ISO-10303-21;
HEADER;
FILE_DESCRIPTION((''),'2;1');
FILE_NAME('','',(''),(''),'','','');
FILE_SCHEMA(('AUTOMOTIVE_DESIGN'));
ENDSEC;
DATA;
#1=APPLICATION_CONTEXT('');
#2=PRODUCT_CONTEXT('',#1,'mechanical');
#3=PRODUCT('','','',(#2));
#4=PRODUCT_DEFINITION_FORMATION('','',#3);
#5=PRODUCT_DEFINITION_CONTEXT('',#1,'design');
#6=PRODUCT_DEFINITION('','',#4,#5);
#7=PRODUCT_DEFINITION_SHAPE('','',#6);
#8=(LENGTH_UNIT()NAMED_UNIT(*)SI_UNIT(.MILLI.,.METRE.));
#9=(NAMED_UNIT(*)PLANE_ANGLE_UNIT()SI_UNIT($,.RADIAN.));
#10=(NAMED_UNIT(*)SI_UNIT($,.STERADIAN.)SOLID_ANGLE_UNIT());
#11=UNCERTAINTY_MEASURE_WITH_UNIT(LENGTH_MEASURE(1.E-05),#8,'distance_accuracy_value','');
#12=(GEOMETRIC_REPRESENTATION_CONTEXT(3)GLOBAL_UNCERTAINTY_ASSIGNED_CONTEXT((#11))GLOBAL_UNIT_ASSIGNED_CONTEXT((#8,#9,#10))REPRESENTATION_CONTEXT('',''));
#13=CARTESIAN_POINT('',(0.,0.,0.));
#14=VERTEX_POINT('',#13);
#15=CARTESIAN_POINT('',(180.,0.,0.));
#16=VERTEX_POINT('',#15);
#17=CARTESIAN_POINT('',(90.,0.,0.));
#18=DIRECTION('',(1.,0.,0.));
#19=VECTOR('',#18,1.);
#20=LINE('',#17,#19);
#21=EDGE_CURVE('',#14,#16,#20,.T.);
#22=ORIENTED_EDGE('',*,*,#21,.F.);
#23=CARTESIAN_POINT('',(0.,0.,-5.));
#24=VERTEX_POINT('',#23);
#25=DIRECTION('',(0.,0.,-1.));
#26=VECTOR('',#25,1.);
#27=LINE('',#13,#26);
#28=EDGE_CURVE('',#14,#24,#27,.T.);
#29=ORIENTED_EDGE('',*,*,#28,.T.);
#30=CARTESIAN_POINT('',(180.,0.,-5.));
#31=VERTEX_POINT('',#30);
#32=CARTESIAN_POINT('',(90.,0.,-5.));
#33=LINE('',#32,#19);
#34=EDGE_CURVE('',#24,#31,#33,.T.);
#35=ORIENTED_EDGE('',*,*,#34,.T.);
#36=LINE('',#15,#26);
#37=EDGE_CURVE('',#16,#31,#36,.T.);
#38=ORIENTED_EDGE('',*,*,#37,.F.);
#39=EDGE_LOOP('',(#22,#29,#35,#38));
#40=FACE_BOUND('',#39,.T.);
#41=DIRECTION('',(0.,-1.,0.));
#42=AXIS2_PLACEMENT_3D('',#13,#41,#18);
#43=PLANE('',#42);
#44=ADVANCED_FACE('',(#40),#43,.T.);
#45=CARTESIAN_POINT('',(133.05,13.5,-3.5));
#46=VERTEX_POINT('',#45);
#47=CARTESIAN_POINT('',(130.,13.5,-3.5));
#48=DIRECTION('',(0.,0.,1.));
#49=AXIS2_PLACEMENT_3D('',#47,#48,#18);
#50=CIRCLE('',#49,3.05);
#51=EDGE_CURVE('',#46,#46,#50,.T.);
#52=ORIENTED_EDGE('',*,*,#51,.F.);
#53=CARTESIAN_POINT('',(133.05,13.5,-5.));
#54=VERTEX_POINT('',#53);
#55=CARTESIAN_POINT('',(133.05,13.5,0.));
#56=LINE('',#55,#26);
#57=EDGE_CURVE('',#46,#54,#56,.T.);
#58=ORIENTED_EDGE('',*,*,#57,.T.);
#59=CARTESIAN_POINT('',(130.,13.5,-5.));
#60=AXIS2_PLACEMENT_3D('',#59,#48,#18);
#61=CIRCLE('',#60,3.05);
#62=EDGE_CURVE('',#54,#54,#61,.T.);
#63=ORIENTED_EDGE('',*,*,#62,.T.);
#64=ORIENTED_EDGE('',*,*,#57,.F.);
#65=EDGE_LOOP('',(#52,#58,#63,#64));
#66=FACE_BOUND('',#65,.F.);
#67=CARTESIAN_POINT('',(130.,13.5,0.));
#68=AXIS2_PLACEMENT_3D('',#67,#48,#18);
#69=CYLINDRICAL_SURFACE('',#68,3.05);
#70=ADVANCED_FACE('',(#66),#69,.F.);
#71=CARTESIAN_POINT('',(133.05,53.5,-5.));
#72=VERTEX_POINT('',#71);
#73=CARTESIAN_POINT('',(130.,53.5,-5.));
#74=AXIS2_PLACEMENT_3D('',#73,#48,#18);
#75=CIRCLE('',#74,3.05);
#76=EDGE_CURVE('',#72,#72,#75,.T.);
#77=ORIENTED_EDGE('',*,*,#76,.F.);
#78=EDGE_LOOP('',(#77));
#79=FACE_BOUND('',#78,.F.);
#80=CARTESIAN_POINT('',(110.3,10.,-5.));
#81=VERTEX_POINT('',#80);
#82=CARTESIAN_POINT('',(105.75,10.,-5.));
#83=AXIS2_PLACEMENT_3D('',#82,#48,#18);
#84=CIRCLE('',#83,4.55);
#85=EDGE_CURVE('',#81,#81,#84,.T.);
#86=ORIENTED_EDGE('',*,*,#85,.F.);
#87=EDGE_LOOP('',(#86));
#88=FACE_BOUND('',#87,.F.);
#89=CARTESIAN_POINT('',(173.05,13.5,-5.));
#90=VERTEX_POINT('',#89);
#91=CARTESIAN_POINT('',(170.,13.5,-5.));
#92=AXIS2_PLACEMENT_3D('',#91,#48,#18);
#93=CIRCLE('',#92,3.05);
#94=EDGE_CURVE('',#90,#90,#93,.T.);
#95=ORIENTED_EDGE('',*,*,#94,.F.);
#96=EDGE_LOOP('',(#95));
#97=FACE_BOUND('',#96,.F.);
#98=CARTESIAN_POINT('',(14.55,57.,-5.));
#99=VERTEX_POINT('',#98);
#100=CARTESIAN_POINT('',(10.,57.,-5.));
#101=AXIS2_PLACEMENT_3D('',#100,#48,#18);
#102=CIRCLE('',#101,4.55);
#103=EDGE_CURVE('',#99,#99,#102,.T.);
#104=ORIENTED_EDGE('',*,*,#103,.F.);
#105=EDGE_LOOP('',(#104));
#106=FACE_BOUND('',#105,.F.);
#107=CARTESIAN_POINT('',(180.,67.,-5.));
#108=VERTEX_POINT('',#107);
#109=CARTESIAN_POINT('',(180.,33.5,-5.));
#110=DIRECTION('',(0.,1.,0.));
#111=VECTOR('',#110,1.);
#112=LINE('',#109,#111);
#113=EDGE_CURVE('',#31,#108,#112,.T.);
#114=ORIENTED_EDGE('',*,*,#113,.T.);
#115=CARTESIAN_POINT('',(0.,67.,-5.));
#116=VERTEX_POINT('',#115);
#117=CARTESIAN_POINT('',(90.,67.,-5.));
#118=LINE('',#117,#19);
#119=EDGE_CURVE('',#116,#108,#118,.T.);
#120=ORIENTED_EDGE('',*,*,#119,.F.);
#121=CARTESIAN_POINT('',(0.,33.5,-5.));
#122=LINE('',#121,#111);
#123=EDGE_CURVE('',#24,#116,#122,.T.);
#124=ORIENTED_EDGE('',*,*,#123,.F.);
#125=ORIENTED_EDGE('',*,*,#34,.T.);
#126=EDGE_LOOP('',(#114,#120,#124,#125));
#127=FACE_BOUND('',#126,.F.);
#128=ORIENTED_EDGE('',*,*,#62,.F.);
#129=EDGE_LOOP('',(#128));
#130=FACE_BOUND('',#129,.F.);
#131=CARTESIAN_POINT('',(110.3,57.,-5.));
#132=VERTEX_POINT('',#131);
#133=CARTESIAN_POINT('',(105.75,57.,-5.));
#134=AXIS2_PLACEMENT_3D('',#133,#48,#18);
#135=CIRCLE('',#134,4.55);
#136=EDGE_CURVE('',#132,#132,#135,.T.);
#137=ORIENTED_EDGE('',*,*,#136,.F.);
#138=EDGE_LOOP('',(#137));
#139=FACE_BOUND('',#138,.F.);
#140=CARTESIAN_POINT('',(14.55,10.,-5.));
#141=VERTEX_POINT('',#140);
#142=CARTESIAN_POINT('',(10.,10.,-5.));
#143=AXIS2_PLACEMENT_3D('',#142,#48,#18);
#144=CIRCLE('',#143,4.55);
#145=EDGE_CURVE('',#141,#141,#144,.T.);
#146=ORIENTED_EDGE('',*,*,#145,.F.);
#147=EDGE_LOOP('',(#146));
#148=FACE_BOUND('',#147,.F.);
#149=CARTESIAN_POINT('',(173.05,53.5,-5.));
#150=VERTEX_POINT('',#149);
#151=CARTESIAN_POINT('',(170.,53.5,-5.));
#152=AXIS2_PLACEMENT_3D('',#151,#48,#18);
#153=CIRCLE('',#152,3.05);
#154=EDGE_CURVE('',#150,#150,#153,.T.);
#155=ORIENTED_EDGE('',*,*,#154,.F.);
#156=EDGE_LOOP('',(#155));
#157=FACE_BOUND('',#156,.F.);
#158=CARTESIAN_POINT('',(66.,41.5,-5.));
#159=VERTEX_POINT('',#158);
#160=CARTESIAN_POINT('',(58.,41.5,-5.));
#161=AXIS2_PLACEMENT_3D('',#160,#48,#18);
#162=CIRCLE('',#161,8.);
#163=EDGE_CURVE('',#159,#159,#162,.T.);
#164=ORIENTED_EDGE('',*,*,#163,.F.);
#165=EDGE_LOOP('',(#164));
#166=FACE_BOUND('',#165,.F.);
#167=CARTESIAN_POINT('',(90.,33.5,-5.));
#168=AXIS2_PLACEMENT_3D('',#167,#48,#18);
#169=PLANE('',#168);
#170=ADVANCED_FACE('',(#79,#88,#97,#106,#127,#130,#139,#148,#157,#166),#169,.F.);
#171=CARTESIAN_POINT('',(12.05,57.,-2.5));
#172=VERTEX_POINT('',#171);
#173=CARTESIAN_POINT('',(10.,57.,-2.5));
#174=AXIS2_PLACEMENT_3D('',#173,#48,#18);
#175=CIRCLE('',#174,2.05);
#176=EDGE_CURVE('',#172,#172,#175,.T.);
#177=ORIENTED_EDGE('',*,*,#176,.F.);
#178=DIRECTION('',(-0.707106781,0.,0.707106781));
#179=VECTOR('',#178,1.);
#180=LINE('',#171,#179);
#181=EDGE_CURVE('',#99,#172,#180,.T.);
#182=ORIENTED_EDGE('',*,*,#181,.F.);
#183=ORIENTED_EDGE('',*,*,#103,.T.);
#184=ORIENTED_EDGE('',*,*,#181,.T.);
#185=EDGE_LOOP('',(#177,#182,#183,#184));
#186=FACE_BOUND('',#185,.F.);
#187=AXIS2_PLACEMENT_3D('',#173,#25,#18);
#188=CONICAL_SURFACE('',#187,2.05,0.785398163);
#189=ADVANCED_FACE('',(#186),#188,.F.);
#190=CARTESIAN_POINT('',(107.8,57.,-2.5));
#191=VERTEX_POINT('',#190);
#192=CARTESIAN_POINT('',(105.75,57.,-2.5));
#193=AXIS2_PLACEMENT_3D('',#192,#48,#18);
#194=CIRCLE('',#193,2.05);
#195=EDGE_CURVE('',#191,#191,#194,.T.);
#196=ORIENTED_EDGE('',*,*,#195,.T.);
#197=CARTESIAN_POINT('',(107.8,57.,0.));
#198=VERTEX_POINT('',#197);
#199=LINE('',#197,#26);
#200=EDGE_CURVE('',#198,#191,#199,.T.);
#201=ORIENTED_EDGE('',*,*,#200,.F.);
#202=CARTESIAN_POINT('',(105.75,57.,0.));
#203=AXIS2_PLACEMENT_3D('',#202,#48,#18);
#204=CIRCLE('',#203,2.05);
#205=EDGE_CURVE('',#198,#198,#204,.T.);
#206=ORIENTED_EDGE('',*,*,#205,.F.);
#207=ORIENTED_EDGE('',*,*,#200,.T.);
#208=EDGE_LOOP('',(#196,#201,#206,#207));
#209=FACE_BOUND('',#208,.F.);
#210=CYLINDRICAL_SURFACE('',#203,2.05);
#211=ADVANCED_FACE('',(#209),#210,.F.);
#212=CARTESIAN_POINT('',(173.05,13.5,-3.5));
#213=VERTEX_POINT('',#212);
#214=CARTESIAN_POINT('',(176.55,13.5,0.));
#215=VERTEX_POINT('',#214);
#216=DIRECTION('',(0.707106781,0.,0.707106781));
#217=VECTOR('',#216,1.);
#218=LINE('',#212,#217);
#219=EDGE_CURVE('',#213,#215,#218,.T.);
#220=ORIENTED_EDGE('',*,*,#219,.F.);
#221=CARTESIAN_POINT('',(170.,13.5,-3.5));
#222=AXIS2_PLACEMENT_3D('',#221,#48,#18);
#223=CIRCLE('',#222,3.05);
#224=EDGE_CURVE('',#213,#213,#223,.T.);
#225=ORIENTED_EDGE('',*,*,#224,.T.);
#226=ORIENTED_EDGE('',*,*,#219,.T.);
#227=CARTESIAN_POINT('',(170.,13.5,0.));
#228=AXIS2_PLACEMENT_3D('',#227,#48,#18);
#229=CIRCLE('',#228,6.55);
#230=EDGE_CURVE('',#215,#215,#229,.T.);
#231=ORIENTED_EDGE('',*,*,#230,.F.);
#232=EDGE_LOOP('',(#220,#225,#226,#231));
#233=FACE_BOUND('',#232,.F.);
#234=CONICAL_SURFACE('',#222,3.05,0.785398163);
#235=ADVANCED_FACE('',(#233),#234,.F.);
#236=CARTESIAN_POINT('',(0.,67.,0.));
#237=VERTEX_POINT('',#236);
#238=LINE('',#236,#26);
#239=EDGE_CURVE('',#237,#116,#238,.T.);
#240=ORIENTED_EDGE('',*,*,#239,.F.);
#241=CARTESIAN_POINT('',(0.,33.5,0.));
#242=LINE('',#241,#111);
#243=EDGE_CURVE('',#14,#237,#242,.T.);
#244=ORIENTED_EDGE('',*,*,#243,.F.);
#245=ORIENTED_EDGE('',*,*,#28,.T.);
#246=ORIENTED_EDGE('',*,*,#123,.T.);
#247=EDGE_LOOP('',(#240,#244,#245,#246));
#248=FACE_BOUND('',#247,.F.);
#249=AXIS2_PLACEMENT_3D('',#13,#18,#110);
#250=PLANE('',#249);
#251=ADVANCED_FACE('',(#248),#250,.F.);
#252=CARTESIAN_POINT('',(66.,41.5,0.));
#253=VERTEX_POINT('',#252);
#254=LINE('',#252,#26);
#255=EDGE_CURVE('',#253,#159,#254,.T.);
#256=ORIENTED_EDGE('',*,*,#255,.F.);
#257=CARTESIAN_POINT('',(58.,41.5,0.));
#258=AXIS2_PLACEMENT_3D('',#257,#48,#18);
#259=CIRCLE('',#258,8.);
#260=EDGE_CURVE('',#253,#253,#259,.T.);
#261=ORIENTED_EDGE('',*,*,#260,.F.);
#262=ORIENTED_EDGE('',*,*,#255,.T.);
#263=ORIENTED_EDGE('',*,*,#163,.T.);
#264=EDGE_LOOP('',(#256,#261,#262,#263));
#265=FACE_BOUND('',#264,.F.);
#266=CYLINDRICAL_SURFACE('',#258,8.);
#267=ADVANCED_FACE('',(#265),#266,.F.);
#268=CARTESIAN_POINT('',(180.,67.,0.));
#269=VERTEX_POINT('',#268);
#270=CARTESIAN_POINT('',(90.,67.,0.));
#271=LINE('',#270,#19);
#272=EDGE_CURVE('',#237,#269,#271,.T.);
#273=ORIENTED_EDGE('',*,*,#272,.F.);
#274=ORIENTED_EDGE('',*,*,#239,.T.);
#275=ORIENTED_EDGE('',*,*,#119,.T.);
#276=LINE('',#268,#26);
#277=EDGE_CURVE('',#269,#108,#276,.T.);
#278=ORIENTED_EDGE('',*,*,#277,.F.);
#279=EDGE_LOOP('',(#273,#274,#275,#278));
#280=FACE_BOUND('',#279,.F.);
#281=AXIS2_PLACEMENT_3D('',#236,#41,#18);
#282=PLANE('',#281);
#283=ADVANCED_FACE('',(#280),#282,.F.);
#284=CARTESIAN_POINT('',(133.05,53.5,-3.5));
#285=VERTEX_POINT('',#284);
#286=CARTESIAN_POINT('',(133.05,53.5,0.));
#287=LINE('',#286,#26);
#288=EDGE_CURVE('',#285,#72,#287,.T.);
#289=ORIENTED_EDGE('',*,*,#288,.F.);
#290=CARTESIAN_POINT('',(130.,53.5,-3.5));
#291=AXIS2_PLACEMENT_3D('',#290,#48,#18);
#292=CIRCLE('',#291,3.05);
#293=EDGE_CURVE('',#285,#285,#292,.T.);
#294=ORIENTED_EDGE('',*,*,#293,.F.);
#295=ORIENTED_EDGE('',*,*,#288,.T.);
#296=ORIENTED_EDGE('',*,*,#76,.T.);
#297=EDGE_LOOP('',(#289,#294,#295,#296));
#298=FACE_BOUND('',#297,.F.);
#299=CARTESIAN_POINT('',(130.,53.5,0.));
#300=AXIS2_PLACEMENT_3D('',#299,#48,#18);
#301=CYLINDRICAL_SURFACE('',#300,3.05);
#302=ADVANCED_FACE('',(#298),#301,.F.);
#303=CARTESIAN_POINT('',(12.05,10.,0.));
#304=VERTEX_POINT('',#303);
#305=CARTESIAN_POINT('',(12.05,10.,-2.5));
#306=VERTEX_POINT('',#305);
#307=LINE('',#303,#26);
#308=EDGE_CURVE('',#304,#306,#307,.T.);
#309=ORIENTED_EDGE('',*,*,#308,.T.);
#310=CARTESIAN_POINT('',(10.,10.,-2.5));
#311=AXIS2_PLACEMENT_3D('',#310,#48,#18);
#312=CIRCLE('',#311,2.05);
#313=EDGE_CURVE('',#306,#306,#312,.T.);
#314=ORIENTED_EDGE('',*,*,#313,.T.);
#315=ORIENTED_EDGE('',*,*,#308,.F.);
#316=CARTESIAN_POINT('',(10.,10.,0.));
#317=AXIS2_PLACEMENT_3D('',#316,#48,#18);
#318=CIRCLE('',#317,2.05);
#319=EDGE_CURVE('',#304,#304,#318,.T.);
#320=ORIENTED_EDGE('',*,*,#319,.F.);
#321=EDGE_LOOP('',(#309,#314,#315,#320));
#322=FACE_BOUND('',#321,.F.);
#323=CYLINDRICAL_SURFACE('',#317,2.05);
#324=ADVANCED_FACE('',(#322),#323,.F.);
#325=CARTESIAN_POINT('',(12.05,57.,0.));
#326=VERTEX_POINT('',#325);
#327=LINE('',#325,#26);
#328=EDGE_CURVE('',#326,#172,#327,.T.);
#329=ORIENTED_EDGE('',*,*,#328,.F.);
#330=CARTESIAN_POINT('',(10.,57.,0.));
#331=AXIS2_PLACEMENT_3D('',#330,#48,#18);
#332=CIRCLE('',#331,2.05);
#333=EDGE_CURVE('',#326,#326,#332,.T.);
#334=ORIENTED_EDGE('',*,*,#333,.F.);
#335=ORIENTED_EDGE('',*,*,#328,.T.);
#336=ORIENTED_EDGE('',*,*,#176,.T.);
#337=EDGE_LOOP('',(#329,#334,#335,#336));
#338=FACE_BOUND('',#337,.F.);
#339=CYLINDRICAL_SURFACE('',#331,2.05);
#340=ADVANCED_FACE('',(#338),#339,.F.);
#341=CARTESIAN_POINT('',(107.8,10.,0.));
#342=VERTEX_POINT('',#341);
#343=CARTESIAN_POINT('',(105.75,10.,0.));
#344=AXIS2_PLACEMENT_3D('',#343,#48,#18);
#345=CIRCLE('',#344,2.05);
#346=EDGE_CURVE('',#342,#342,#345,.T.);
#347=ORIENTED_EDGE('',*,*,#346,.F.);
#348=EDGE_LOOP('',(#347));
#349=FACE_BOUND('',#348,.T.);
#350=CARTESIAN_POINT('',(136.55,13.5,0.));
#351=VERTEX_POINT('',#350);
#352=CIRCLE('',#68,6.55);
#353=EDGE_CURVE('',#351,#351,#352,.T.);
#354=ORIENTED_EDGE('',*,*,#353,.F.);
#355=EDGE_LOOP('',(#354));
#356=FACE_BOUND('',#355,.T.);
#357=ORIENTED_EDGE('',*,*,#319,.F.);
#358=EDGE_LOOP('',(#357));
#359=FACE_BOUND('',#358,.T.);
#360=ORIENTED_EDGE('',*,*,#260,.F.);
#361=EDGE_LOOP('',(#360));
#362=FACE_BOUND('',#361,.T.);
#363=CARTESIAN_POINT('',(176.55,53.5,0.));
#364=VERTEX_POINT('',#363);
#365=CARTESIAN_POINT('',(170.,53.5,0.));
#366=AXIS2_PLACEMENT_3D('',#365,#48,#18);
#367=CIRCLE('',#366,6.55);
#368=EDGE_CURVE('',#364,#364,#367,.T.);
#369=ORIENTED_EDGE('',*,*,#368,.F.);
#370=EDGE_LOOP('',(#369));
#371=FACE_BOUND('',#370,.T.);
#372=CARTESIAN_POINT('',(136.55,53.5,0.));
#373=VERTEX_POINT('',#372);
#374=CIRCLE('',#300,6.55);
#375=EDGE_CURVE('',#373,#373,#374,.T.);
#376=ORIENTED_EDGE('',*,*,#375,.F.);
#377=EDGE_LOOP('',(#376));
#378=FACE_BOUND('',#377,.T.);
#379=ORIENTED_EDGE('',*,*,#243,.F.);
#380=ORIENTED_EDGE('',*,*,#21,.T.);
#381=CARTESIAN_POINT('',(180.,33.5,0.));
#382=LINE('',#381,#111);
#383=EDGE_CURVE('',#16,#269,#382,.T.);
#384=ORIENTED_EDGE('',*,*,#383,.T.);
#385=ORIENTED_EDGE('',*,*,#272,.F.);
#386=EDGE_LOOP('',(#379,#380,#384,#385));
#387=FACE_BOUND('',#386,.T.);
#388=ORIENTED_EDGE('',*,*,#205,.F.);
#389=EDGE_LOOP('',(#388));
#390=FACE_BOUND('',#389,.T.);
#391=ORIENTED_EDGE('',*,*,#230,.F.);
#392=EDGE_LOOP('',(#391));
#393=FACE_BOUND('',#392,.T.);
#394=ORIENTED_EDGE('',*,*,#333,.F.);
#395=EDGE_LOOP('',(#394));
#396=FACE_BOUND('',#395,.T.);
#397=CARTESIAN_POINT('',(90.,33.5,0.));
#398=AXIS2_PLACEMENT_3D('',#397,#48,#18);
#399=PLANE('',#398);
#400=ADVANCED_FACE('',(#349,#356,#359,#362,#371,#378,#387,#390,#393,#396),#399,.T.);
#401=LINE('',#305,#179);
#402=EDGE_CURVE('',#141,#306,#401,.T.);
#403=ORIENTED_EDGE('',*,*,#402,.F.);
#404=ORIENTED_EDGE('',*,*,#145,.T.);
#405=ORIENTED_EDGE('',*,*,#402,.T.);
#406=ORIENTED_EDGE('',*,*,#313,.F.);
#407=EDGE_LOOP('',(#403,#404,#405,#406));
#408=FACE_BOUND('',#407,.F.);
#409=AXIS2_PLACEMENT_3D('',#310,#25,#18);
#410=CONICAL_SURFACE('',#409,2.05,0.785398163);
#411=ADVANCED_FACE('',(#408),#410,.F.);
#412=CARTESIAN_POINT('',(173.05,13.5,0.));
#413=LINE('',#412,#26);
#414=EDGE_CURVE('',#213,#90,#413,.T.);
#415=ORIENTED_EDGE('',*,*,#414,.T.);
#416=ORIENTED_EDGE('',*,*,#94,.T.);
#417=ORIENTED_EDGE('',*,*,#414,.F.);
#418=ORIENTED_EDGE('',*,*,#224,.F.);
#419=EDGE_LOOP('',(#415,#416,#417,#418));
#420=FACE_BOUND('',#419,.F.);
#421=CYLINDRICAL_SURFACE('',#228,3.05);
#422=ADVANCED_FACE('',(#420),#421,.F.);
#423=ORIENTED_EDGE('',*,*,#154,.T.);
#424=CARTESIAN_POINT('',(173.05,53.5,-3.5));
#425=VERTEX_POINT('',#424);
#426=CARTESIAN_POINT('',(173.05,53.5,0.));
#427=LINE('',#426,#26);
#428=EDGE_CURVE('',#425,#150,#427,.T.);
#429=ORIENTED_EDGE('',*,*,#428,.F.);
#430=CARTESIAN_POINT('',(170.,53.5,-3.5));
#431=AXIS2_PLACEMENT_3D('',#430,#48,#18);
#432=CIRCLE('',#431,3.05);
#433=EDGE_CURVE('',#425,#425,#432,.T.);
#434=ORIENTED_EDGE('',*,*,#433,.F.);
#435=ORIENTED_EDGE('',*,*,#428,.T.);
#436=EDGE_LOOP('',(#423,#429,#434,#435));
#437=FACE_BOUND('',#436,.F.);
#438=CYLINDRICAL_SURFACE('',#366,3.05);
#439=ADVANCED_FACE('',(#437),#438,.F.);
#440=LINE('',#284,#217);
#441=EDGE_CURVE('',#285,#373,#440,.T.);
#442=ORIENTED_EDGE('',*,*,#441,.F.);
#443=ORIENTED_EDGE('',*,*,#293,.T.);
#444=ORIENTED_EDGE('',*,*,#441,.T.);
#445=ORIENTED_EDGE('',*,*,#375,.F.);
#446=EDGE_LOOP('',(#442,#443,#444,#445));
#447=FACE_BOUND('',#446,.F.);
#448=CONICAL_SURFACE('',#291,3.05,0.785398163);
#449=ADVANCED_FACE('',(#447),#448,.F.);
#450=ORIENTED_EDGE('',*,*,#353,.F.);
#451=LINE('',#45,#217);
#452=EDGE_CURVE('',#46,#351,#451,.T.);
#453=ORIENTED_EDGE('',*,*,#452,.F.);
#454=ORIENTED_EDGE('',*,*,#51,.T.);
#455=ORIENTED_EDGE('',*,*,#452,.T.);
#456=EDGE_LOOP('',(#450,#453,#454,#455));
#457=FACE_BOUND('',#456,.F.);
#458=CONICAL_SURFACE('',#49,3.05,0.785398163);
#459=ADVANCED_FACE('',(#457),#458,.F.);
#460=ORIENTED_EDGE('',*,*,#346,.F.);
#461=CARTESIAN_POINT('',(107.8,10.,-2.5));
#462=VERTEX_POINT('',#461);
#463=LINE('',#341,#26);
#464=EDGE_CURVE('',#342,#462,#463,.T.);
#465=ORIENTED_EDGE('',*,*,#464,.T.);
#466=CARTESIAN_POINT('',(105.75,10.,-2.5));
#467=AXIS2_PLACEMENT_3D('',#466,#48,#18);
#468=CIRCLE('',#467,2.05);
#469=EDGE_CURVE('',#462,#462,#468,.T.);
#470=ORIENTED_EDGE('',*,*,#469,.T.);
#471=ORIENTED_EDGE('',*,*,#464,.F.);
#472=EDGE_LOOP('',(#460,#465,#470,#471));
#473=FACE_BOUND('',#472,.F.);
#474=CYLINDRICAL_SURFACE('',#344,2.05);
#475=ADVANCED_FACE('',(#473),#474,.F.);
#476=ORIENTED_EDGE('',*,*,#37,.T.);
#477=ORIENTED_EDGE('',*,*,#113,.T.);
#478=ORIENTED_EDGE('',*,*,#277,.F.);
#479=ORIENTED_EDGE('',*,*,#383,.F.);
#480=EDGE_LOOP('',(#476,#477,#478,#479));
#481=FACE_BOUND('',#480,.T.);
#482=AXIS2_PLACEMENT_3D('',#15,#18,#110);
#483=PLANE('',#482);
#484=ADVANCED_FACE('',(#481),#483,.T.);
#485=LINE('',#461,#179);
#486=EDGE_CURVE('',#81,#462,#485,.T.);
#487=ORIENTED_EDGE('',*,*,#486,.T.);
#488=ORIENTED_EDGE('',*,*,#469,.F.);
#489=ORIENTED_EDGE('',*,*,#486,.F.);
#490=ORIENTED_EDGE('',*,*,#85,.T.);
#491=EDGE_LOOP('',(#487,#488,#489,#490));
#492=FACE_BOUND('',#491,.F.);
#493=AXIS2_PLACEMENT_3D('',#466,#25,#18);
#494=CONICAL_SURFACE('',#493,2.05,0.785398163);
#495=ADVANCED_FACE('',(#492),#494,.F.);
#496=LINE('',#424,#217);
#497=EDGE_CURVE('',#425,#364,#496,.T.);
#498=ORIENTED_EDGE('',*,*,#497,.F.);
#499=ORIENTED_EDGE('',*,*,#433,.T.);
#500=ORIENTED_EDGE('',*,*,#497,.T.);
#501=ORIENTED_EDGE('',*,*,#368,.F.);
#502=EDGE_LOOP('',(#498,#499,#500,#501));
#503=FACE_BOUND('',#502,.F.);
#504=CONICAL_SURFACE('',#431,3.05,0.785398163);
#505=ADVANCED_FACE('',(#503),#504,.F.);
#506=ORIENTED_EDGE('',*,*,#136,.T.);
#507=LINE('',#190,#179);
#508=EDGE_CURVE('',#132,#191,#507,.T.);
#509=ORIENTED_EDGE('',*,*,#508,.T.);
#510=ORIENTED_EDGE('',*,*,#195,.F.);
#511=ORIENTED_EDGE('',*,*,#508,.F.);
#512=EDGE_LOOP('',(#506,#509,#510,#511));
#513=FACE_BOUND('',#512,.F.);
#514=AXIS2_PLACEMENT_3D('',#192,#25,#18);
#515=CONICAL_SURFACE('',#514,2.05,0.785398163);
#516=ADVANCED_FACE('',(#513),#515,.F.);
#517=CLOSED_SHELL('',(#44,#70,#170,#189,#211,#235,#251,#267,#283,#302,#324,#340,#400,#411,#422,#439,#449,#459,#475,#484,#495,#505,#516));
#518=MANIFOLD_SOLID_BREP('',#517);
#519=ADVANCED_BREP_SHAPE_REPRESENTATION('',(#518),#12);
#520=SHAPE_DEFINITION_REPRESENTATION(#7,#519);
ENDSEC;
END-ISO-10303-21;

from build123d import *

# Parameters (mm, degrees)
F0_W     = 180
F0_H     = 67
F0_R     = 2.05
F0_R_2   = 3.05
F0_R_3   = 8
F1_DEPTH = 5
F2_SIZE  = 3.5
F3_SIZE  = 2.5


with BuildPart() as f1:
    # F0 (on Top) → F1 (new body)
    with BuildSketch(Plane.XY):
        with Locations((90, 33.5)):
            Rectangle(F0_W, F0_H)
        with Locations((10, 10)):
            Circle(F0_R, mode=Mode.SUBTRACT)
        with Locations((105.75, 10)):
            Circle(F0_R, mode=Mode.SUBTRACT)
        with Locations((130, 13.5)):
            Circle(F0_R_2, mode=Mode.SUBTRACT)
        with Locations((170, 13.5)):
            Circle(F0_R_2, mode=Mode.SUBTRACT)
        with Locations((58, 41.5)):
            Circle(F0_R_3, mode=Mode.SUBTRACT)
        with Locations((10, 57)):
            Circle(F0_R, mode=Mode.SUBTRACT)
        with Locations((105.75, 57)):
            Circle(F0_R, mode=Mode.SUBTRACT)
        with Locations((130, 53.5)):
            Circle(F0_R_2, mode=Mode.SUBTRACT)
        with Locations((170, 53.5)):
            Circle(F0_R_2, mode=Mode.SUBTRACT)
    extrude(amount=-F1_DEPTH)

    # F2
    f2_edges = [f1.edges().sort_by_distance(p)[0] for p in [
        (126.95, 53.5, 0),
        (166.95, 53.5, 0),
        (166.95, 13.5, 0),
        (126.95, 13.5, 0),
    ]]
    chamfer(f2_edges, length=F2_SIZE)

    # F3
    f3_edges = [f1.edges().sort_by_distance(p)[0] for p in [
        (103.7, 57, -5),
        (103.7, 10, -5),
        (7.95, 10, -5),
        (7.95, 57, -5),
    ]]
    chamfer(f3_edges, length=F3_SIZE)


solid = f1.part
